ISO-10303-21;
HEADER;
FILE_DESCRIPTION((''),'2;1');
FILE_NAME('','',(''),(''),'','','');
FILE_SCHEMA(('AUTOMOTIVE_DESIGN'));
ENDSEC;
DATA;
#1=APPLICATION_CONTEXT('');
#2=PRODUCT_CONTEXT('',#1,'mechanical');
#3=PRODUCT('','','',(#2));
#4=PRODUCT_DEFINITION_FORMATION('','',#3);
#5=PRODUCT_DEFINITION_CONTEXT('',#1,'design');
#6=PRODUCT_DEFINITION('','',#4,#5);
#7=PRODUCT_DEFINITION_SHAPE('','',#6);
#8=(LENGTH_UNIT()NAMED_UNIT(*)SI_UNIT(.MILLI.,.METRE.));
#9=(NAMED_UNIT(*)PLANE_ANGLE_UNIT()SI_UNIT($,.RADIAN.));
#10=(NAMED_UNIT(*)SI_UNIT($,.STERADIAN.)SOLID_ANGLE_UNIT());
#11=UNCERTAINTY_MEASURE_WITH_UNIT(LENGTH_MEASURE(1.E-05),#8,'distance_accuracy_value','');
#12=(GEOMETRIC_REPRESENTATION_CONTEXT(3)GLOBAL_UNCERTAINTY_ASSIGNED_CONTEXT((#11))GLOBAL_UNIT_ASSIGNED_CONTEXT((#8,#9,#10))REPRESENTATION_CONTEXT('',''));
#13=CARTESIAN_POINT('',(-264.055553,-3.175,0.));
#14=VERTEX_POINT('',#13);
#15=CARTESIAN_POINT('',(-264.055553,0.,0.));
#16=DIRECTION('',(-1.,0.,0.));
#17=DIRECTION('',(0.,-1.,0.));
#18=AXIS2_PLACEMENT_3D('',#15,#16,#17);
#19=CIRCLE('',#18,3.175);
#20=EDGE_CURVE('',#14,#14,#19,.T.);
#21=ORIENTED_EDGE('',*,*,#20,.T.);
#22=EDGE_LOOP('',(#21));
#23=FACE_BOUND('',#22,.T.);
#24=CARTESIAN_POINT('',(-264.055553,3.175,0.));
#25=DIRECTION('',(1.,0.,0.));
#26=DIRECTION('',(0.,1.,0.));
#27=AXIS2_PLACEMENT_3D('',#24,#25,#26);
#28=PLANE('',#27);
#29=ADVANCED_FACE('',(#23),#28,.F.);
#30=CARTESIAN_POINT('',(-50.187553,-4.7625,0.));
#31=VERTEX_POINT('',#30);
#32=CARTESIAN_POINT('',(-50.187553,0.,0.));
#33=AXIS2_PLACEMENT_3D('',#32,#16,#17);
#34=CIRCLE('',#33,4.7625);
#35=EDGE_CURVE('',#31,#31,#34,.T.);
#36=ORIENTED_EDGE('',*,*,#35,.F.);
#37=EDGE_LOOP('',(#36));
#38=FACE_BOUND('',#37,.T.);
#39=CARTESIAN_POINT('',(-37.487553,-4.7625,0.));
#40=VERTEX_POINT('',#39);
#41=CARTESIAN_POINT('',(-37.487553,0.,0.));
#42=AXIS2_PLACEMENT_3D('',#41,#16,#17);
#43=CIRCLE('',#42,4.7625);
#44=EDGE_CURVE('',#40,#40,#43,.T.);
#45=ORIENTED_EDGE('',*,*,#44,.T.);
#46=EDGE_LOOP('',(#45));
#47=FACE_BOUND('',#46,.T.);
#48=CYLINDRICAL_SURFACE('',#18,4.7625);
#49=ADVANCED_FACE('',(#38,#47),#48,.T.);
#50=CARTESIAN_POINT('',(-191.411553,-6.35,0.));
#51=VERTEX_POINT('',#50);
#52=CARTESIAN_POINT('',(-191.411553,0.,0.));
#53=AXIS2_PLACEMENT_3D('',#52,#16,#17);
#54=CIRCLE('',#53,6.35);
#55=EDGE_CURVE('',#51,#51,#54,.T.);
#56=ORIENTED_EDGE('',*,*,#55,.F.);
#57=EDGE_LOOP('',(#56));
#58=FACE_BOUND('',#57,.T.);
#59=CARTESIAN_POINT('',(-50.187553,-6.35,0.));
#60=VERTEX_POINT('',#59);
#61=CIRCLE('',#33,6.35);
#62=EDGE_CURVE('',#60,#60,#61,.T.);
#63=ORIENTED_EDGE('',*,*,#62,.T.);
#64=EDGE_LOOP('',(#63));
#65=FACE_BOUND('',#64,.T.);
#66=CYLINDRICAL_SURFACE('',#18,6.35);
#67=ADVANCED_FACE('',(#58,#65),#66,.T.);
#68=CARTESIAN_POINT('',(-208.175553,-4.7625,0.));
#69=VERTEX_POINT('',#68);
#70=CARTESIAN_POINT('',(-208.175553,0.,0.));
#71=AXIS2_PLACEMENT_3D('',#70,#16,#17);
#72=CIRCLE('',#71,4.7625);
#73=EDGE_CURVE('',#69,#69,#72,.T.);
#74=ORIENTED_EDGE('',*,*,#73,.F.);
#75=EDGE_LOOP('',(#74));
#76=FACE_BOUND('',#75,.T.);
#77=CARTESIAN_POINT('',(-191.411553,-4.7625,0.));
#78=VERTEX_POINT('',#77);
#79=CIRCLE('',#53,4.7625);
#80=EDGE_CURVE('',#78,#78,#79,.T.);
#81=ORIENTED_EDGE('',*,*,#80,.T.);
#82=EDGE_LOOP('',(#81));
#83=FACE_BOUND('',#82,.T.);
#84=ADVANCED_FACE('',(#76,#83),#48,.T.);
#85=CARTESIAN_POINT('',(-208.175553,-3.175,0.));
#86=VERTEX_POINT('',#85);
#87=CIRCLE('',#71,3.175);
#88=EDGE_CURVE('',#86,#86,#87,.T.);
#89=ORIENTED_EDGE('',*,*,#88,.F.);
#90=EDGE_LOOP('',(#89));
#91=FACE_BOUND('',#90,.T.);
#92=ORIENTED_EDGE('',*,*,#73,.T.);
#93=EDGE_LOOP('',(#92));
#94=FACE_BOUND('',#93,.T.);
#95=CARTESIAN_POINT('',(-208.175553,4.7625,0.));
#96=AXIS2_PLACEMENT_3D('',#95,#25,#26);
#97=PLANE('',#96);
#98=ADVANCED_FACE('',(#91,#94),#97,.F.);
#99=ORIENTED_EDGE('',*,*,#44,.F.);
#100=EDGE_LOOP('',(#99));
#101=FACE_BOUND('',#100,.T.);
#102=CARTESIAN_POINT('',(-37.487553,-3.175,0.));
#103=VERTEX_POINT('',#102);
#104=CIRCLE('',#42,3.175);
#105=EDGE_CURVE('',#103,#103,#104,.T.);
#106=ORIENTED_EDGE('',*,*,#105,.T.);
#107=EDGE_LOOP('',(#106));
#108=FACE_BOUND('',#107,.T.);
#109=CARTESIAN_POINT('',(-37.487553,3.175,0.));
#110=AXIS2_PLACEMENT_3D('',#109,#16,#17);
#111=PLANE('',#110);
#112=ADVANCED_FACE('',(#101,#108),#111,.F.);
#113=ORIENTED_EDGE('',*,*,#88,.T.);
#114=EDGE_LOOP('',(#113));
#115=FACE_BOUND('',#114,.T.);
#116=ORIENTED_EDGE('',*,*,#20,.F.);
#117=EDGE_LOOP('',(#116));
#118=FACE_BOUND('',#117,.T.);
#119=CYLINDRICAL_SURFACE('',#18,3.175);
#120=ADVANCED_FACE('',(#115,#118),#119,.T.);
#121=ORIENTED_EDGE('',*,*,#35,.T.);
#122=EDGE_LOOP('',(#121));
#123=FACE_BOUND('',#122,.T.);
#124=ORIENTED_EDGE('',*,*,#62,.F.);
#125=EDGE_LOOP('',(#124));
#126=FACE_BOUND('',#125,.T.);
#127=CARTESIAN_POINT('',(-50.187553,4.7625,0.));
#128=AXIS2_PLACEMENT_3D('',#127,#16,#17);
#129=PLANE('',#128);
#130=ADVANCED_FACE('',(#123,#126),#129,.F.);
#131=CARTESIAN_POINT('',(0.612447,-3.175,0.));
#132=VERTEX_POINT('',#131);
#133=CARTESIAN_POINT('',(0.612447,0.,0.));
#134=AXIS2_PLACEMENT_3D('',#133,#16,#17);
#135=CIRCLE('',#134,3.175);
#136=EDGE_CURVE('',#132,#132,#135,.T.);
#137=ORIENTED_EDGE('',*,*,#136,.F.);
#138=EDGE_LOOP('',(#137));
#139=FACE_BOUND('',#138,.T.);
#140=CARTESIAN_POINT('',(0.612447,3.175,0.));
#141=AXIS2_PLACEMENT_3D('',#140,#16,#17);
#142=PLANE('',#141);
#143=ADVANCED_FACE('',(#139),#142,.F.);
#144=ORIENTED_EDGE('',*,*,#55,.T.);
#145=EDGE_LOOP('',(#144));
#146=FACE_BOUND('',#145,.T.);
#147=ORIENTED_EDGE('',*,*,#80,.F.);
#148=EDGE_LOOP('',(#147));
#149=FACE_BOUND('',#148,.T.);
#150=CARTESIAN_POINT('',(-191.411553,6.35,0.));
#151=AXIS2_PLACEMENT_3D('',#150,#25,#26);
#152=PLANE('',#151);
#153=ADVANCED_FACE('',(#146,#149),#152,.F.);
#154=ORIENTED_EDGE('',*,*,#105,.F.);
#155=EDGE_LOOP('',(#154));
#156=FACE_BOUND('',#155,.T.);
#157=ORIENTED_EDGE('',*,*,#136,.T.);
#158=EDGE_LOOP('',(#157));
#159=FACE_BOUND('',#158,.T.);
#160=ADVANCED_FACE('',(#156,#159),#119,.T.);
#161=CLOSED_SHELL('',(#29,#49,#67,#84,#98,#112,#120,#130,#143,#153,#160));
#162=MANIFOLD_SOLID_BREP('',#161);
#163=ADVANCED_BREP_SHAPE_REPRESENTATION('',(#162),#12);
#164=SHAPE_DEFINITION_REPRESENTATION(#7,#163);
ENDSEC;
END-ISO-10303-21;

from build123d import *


with BuildPart() as part:
    # Sketch1 → Revolve1 (revolve)
    with BuildSketch(Plane.XY):
        Polygon((0.612446545, 3.175), (0.612446545, 0), (-264.055553455, 0), (-264.055553455, 3.175), (-208.175553455, 3.175), (-208.175553455, 4.7625), (-191.411553455, 4.7625), (-191.411553455, 6.35), (-50.187553455, 6.35), (-50.187553455, 4.7625), (-37.487553455, 4.7625), (-37.487553455, 3.175), align=None)
    revolve(axis=Axis((-264.055553455, 0, 0), (1, 0, 0)))


solid = part.part
